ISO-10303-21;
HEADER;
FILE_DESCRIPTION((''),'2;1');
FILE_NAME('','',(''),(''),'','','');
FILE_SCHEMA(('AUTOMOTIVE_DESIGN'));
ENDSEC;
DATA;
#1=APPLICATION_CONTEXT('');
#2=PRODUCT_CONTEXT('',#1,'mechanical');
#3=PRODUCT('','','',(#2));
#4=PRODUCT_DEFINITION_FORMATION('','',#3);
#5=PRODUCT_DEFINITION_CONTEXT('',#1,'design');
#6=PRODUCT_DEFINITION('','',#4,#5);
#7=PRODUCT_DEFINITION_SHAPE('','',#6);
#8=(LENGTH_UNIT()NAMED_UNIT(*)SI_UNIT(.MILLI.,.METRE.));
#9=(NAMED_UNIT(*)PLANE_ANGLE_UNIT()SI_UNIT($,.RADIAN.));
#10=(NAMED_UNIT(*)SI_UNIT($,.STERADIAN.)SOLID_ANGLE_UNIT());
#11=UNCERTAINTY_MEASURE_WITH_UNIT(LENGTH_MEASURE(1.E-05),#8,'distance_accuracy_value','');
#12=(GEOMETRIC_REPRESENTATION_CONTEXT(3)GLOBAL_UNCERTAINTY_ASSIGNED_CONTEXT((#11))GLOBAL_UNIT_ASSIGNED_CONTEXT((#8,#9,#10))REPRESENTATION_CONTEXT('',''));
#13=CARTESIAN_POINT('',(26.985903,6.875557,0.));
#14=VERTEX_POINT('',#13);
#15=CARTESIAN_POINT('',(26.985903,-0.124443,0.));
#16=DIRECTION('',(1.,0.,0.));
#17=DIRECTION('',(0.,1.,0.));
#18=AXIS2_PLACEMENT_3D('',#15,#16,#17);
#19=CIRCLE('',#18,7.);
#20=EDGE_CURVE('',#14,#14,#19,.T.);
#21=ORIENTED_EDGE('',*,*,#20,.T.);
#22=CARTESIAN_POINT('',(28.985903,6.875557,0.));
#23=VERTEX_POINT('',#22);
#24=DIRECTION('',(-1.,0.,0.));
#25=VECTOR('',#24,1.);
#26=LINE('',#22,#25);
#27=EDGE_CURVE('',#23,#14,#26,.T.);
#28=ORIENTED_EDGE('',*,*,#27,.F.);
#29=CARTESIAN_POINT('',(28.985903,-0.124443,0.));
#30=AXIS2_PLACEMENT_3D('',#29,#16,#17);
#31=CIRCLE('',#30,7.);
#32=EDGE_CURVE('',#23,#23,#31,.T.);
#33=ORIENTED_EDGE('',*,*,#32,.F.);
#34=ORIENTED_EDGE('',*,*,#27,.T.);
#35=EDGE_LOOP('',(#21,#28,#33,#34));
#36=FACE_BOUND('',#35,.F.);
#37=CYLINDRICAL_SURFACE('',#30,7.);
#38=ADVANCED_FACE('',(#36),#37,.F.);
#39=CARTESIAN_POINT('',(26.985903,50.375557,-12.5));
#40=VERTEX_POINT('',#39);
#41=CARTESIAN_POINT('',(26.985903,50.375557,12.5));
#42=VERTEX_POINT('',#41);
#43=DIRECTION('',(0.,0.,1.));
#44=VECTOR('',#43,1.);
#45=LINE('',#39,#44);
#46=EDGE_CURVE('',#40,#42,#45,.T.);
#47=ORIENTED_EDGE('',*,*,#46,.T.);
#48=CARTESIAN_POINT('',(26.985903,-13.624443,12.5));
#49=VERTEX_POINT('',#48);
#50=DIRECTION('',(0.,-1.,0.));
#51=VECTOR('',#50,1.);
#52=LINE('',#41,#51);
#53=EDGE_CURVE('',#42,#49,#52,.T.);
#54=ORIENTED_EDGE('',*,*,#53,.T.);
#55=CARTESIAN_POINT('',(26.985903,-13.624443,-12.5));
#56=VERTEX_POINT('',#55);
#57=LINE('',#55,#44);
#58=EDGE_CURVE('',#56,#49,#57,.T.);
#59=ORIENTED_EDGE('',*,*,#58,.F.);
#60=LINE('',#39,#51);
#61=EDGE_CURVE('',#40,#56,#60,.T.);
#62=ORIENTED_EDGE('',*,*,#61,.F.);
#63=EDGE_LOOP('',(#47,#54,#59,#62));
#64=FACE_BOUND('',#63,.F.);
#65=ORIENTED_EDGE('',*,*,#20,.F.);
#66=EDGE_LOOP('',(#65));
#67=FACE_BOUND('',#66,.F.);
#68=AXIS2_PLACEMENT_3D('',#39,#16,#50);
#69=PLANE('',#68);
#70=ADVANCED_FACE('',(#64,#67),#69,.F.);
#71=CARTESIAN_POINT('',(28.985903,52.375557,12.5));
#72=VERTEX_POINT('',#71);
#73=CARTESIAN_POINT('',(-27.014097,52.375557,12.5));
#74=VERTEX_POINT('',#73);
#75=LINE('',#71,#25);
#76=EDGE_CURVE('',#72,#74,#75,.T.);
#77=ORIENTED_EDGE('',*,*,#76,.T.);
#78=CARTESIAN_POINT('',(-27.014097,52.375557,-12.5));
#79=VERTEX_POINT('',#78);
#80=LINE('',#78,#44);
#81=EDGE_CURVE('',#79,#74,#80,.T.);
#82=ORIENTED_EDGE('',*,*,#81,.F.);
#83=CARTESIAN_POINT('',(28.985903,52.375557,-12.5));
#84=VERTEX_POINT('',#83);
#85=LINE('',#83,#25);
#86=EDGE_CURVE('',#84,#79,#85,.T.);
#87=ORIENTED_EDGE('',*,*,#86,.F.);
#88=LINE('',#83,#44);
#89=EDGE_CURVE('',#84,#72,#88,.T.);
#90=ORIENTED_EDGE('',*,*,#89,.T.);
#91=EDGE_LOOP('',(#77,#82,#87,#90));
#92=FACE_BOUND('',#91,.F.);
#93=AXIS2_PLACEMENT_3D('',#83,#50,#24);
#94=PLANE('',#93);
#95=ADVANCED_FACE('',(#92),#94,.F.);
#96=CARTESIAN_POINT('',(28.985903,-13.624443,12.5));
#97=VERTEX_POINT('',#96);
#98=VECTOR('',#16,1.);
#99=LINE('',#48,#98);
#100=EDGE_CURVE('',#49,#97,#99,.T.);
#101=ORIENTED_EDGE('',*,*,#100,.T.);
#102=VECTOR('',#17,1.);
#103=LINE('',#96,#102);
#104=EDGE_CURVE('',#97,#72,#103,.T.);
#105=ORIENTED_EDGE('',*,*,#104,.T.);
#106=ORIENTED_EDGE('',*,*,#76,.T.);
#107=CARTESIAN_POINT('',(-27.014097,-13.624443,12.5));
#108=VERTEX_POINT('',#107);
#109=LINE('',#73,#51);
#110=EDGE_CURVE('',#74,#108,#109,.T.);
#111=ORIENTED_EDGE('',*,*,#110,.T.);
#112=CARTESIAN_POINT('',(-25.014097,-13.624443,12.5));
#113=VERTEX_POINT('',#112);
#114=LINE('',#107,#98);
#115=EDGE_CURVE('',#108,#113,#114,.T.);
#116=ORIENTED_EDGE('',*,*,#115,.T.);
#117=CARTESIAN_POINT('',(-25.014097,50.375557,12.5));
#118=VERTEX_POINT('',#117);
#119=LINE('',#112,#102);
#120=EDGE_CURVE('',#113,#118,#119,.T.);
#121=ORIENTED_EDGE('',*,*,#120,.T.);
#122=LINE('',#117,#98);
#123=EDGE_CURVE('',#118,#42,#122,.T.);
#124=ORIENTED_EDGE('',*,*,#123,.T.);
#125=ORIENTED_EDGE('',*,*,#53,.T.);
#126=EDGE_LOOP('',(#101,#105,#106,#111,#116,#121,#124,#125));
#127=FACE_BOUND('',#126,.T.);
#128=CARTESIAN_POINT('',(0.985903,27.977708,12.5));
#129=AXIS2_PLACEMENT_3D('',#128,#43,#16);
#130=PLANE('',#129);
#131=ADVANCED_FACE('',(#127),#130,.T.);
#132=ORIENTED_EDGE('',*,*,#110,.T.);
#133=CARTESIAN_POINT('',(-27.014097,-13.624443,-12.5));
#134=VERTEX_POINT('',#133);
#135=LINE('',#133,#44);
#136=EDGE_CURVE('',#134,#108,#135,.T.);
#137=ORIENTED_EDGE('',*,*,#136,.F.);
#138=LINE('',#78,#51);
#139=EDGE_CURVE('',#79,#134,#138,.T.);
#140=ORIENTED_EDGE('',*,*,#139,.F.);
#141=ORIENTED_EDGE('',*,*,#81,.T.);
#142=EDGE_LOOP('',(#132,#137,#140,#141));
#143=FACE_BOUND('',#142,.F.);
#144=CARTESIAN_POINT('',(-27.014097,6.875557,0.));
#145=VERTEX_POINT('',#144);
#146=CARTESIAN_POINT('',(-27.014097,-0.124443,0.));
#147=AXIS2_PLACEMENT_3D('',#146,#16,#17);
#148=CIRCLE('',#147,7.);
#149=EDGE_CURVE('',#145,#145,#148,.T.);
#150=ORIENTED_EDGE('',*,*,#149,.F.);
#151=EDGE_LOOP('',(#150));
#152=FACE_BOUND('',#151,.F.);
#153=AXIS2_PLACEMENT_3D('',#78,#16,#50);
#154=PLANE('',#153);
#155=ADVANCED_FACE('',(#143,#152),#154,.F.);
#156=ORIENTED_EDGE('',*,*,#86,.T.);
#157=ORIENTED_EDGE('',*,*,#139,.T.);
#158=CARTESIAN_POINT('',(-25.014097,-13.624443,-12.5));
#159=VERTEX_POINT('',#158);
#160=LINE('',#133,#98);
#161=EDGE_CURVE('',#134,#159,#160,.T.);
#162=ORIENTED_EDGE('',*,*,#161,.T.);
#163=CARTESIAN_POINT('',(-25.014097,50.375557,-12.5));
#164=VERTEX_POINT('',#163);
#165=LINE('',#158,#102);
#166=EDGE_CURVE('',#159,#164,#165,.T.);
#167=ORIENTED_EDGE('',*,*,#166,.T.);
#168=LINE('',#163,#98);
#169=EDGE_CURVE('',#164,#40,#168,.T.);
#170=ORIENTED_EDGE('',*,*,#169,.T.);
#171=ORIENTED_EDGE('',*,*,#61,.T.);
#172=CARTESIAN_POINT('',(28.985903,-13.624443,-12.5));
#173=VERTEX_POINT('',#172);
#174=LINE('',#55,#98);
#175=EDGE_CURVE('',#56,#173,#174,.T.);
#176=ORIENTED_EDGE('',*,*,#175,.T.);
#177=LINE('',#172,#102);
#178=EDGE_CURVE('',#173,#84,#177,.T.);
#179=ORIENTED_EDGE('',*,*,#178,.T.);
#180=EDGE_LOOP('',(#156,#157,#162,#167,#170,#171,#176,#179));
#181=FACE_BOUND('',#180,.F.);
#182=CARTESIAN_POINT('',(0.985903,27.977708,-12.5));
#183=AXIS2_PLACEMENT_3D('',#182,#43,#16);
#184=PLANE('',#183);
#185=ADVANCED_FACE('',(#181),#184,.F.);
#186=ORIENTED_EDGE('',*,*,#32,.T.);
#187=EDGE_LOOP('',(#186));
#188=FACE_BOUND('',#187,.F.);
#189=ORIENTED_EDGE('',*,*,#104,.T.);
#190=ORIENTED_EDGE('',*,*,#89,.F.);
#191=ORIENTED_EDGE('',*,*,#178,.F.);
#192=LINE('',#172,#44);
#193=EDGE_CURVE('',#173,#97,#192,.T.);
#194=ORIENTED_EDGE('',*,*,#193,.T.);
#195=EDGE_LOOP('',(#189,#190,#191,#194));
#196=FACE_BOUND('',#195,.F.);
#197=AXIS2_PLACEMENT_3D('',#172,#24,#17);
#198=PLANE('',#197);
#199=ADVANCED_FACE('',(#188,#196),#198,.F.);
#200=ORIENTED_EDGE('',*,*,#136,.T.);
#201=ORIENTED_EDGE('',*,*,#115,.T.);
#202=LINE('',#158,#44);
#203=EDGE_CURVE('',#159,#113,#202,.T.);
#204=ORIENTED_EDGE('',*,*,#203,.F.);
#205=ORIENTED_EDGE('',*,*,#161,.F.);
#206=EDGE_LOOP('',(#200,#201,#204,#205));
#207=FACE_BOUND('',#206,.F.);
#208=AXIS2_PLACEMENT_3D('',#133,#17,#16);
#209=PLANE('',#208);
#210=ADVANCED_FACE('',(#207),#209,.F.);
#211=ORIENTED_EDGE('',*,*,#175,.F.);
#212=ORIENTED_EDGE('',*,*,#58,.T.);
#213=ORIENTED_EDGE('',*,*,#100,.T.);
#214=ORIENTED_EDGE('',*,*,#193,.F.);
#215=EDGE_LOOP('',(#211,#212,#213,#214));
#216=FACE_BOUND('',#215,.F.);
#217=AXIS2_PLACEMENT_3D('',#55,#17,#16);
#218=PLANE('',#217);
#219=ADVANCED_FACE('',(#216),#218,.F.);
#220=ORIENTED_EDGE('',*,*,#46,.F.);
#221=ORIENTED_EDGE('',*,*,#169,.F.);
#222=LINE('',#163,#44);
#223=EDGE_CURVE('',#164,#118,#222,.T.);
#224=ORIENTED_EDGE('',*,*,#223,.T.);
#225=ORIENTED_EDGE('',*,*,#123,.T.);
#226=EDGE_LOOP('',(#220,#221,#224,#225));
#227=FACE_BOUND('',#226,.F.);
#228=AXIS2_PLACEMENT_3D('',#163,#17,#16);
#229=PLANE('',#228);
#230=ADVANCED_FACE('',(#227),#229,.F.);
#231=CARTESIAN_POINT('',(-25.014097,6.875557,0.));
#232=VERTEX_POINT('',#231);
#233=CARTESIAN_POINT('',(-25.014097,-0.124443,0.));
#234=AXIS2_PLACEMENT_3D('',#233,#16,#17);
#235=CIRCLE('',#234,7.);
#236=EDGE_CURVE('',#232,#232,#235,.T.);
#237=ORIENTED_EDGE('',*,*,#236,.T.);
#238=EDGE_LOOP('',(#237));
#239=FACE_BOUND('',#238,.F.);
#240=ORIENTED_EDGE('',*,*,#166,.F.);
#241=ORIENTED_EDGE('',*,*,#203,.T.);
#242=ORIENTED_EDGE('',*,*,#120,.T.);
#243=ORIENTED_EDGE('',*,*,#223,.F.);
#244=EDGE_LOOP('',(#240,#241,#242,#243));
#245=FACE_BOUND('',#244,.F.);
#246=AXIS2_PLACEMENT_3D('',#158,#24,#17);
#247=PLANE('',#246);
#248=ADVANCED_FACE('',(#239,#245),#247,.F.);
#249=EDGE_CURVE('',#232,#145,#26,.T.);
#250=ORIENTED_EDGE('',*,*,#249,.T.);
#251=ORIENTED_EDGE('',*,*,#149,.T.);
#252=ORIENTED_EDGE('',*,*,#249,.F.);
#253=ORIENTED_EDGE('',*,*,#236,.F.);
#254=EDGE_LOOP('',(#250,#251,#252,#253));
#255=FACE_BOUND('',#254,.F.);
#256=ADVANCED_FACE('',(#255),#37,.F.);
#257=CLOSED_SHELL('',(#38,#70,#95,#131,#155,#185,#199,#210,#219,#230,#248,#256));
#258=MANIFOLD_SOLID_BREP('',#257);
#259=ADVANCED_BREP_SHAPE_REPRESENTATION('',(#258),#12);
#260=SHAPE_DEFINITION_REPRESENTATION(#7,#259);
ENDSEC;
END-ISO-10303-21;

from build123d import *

# Parameters (mm, degrees)
PAD_DEPTH    = 25
SKETCH001_R  = 7
POCKET_DEPTH = 56.001


with BuildPart() as part:
    # Sketch → Pad (new body)
    with BuildSketch(Plane.XY):
        Polygon((-27.014097, -10.624443), (-25.014097, -10.624443), (-25.014097, 53.375557), (26.985903, 53.375557), (26.985903, -10.624443), (28.985903, -10.624443), (28.985903, 55.375557), (-27.014097, 55.375557), align=None)
    extrude(amount=PAD_DEPTH)

    # Sketch001 (on Face6 of Pad) → Pocket (cut, through all)
    with BuildSketch(Plane.YZ.offset(28.985903)):
        with Locations((2.875557, 12.5)):
            Circle(SKETCH001_R)
    extrude(amount=-POCKET_DEPTH, mode=Mode.SUBTRACT)


with BuildPart() as part_1:
    # Body placement: moved
    add(part.part.moved(Location((0, -3, -12.5))))


solid = part_1.part
